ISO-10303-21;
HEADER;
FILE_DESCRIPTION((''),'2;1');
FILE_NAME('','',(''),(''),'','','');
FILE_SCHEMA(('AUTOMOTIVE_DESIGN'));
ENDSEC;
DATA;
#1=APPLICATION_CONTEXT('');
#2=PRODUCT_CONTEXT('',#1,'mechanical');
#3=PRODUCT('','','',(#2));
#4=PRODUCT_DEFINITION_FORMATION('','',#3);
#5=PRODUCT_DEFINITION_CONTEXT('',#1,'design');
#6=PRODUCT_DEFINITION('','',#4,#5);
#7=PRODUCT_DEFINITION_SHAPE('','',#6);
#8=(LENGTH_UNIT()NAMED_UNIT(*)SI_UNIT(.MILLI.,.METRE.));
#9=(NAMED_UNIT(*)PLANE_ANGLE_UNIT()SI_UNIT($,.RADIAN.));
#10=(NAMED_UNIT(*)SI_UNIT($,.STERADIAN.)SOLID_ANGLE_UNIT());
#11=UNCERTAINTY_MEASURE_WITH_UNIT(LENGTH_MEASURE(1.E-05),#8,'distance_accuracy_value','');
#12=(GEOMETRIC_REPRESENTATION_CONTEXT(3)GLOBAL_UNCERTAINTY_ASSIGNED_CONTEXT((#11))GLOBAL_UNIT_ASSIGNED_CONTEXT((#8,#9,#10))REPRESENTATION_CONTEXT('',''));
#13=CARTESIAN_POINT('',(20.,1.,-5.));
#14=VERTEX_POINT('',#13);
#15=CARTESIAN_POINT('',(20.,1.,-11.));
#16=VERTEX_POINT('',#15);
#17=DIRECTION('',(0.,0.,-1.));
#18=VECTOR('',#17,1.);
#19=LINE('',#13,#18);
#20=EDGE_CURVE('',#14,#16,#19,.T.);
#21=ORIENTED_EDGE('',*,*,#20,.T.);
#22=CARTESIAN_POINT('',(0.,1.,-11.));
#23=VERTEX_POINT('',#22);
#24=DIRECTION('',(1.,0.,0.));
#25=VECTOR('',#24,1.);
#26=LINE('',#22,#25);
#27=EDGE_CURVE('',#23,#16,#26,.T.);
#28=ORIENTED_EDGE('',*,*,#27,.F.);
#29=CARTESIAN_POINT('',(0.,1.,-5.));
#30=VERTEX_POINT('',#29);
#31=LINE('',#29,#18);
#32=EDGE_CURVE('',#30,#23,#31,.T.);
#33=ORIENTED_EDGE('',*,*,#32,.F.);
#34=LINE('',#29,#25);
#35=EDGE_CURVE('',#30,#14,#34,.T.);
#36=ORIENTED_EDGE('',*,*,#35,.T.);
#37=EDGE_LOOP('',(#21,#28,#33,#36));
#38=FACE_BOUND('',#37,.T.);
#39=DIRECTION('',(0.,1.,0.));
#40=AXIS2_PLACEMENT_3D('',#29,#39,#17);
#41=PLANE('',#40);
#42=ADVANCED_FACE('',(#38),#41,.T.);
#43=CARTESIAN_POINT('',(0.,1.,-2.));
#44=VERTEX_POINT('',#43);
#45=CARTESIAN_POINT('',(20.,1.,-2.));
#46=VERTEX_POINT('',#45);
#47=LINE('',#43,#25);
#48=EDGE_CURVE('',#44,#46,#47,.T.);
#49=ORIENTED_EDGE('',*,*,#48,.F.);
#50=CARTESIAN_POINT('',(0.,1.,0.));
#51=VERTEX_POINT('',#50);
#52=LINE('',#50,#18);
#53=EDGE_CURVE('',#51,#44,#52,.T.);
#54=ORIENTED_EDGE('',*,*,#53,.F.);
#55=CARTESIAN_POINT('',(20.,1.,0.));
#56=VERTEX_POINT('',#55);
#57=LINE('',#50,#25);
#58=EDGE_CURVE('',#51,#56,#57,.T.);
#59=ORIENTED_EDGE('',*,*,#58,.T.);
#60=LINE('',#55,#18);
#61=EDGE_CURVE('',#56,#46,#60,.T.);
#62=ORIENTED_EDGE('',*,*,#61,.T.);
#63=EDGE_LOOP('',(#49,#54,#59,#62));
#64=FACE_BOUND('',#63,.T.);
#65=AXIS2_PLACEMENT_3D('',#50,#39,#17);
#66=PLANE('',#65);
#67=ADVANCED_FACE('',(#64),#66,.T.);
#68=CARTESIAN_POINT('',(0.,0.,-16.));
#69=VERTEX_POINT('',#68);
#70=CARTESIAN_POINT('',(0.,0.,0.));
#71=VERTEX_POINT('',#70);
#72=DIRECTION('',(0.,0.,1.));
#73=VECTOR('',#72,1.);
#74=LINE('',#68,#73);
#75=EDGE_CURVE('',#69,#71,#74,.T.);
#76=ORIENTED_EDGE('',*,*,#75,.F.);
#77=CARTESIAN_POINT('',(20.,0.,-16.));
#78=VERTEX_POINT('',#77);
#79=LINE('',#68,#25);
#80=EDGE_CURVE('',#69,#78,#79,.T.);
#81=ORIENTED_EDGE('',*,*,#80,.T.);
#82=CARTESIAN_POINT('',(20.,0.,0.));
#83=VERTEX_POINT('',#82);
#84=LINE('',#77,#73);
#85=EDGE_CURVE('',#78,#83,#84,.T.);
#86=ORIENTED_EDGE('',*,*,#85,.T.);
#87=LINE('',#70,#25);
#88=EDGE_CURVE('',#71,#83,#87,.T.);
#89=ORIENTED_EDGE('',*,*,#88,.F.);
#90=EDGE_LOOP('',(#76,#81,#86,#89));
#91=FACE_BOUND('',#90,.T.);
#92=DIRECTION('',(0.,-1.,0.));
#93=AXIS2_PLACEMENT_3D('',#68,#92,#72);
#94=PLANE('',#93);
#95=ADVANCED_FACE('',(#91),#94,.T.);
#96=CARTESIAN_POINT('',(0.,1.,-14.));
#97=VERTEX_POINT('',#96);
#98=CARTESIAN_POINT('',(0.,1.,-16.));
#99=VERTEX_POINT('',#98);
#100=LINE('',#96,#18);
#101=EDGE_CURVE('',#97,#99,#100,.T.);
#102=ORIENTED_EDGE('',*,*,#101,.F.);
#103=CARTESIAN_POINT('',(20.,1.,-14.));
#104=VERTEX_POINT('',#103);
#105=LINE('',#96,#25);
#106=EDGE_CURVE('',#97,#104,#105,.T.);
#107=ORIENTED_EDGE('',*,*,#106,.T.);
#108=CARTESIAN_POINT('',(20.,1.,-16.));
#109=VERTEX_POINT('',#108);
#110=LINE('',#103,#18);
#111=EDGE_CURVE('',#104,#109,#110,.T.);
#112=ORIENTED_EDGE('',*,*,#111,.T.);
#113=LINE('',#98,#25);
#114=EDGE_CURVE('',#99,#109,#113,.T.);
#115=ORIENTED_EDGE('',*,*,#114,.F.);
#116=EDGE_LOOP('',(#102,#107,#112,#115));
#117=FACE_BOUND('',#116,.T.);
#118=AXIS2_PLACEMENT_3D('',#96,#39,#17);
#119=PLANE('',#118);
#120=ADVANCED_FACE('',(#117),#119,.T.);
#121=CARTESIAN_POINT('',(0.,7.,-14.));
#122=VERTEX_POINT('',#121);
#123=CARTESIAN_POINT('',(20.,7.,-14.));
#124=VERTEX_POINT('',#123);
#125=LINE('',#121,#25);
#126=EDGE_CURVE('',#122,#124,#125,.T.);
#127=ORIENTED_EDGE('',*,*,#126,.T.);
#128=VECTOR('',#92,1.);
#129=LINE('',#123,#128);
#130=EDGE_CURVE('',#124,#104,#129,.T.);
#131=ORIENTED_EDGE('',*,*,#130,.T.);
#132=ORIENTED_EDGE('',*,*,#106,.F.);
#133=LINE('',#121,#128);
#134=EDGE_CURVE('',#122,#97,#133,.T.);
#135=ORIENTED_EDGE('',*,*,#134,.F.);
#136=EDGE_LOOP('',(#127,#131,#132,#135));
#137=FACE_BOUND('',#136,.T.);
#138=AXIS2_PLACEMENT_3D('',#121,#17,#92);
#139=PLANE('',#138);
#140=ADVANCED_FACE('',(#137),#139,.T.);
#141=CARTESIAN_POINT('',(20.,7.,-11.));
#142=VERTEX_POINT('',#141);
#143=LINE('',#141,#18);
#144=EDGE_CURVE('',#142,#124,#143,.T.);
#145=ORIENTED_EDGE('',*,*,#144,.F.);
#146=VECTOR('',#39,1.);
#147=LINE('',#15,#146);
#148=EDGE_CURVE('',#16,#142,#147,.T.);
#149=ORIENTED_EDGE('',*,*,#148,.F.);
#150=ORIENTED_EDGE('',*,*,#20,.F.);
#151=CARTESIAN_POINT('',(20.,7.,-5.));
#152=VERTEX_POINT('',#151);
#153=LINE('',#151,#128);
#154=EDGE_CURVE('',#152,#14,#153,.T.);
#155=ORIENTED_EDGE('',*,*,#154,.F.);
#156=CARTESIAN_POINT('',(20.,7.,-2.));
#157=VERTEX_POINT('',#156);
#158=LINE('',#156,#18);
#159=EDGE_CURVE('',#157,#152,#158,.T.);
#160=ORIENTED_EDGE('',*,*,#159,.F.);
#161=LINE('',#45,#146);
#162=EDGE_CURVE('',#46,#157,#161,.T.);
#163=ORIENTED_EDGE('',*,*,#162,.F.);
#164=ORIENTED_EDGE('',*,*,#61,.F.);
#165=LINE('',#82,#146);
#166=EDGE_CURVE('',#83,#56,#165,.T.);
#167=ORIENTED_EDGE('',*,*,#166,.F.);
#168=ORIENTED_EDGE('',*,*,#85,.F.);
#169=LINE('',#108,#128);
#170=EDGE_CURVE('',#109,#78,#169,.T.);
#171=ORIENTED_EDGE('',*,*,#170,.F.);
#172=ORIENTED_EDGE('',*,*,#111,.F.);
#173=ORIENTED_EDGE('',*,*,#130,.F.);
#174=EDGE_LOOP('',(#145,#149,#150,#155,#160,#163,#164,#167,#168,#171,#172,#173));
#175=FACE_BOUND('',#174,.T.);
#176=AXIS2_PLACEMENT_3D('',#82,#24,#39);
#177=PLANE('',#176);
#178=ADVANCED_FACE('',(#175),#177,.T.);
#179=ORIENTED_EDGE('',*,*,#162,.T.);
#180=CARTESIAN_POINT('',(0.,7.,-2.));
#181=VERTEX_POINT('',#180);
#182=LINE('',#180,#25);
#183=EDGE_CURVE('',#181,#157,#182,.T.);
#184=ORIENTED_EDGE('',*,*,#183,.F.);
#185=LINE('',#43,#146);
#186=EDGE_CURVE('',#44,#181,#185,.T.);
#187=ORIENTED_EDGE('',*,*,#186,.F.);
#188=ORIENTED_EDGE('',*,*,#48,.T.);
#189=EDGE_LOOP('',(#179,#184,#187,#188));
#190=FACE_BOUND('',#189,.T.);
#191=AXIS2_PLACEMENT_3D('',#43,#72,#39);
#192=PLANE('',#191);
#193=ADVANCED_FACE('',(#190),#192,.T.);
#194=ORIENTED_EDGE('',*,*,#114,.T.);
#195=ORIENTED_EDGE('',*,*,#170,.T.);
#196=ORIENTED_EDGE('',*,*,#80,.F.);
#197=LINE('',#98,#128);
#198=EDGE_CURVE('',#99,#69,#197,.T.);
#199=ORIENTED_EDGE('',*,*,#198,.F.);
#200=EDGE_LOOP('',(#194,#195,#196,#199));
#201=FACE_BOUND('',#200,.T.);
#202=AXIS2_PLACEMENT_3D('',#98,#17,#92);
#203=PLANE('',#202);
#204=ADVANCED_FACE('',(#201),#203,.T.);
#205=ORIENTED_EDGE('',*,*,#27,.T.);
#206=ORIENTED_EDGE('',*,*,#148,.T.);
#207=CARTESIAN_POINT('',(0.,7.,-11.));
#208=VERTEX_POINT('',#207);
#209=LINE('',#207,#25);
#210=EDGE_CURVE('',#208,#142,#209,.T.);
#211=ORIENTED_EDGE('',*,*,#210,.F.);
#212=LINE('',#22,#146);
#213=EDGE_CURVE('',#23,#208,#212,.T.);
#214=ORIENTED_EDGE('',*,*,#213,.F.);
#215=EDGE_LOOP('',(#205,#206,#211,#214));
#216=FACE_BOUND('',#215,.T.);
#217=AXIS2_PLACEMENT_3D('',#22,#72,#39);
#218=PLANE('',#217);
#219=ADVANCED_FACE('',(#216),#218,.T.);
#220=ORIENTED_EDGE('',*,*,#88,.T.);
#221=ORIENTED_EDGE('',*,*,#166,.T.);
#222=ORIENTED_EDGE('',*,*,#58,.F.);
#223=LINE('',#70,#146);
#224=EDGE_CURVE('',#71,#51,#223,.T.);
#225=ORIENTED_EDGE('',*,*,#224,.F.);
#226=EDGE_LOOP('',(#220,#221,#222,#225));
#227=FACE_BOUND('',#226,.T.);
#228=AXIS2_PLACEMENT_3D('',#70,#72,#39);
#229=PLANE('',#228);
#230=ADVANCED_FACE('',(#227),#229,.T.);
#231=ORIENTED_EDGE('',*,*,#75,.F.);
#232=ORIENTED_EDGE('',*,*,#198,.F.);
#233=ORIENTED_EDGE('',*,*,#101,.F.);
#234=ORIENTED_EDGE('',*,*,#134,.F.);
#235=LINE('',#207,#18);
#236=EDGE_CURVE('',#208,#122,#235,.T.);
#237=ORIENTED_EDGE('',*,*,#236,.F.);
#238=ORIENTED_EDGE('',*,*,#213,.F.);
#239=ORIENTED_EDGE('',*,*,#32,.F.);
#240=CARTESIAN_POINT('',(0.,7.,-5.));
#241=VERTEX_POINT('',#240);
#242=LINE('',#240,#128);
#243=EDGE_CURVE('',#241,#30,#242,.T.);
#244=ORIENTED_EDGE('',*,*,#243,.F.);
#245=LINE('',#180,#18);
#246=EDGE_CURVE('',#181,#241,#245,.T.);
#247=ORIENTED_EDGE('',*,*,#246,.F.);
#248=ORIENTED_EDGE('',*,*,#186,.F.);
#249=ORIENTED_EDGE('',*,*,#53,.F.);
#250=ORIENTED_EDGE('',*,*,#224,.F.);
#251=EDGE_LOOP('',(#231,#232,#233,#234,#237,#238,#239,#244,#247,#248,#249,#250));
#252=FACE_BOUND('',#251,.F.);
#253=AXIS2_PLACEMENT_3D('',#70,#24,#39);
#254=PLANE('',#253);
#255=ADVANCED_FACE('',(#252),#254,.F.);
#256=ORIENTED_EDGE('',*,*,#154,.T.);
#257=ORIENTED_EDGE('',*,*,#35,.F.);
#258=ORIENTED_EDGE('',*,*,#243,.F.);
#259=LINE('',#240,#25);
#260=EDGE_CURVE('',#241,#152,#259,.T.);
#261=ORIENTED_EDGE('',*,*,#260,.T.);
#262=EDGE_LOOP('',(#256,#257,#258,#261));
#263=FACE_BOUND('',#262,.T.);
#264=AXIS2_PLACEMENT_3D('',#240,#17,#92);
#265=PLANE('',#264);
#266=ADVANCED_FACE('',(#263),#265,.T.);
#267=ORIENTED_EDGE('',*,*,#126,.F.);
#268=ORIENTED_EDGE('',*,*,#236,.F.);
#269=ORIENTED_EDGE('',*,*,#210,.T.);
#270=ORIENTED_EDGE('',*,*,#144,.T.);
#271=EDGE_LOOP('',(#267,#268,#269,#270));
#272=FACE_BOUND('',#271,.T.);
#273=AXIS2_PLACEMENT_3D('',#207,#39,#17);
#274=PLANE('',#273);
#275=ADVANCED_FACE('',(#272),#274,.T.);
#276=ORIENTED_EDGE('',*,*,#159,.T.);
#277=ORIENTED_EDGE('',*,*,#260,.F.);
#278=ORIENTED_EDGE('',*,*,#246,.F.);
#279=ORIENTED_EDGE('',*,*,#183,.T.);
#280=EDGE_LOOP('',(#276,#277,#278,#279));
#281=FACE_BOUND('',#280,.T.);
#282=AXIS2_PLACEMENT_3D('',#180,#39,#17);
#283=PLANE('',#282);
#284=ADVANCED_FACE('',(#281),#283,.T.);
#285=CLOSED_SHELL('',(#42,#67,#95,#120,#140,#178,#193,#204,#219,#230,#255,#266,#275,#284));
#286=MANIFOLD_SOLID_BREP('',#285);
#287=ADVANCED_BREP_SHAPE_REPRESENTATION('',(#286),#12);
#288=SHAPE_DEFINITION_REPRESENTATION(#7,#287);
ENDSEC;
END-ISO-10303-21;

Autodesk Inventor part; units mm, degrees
sketch "Sketch1" plane through (0, 0, 0) normal (1, 0, 0) x (0, 1, 0)
  line L0 (0, 0) -> (1, 0)
  line L1 (1, 0) -> (1, -2)
  line L2 (1, -2) -> (7, -2)
  line L3 (7, -2) -> (7, -5)
  line L4 (7, -5) -> (1, -5)
  line L5 (1, -5) -> (1, -11)
  line L6 (1, -11) -> (7, -11)
  line L7 (7, -11) -> (7, -14)
  line L8 (7, -14) -> (1, -14)
  line L9 (1, -14) -> (1, -16)
  line L10 (1, -16) -> (0, -16)
  line L11 (0, -16) -> (0, 0)
extrude "Extrusion1" add sketch "Sketch1" along normal blind 20
properties part number "Shoket2.0"
